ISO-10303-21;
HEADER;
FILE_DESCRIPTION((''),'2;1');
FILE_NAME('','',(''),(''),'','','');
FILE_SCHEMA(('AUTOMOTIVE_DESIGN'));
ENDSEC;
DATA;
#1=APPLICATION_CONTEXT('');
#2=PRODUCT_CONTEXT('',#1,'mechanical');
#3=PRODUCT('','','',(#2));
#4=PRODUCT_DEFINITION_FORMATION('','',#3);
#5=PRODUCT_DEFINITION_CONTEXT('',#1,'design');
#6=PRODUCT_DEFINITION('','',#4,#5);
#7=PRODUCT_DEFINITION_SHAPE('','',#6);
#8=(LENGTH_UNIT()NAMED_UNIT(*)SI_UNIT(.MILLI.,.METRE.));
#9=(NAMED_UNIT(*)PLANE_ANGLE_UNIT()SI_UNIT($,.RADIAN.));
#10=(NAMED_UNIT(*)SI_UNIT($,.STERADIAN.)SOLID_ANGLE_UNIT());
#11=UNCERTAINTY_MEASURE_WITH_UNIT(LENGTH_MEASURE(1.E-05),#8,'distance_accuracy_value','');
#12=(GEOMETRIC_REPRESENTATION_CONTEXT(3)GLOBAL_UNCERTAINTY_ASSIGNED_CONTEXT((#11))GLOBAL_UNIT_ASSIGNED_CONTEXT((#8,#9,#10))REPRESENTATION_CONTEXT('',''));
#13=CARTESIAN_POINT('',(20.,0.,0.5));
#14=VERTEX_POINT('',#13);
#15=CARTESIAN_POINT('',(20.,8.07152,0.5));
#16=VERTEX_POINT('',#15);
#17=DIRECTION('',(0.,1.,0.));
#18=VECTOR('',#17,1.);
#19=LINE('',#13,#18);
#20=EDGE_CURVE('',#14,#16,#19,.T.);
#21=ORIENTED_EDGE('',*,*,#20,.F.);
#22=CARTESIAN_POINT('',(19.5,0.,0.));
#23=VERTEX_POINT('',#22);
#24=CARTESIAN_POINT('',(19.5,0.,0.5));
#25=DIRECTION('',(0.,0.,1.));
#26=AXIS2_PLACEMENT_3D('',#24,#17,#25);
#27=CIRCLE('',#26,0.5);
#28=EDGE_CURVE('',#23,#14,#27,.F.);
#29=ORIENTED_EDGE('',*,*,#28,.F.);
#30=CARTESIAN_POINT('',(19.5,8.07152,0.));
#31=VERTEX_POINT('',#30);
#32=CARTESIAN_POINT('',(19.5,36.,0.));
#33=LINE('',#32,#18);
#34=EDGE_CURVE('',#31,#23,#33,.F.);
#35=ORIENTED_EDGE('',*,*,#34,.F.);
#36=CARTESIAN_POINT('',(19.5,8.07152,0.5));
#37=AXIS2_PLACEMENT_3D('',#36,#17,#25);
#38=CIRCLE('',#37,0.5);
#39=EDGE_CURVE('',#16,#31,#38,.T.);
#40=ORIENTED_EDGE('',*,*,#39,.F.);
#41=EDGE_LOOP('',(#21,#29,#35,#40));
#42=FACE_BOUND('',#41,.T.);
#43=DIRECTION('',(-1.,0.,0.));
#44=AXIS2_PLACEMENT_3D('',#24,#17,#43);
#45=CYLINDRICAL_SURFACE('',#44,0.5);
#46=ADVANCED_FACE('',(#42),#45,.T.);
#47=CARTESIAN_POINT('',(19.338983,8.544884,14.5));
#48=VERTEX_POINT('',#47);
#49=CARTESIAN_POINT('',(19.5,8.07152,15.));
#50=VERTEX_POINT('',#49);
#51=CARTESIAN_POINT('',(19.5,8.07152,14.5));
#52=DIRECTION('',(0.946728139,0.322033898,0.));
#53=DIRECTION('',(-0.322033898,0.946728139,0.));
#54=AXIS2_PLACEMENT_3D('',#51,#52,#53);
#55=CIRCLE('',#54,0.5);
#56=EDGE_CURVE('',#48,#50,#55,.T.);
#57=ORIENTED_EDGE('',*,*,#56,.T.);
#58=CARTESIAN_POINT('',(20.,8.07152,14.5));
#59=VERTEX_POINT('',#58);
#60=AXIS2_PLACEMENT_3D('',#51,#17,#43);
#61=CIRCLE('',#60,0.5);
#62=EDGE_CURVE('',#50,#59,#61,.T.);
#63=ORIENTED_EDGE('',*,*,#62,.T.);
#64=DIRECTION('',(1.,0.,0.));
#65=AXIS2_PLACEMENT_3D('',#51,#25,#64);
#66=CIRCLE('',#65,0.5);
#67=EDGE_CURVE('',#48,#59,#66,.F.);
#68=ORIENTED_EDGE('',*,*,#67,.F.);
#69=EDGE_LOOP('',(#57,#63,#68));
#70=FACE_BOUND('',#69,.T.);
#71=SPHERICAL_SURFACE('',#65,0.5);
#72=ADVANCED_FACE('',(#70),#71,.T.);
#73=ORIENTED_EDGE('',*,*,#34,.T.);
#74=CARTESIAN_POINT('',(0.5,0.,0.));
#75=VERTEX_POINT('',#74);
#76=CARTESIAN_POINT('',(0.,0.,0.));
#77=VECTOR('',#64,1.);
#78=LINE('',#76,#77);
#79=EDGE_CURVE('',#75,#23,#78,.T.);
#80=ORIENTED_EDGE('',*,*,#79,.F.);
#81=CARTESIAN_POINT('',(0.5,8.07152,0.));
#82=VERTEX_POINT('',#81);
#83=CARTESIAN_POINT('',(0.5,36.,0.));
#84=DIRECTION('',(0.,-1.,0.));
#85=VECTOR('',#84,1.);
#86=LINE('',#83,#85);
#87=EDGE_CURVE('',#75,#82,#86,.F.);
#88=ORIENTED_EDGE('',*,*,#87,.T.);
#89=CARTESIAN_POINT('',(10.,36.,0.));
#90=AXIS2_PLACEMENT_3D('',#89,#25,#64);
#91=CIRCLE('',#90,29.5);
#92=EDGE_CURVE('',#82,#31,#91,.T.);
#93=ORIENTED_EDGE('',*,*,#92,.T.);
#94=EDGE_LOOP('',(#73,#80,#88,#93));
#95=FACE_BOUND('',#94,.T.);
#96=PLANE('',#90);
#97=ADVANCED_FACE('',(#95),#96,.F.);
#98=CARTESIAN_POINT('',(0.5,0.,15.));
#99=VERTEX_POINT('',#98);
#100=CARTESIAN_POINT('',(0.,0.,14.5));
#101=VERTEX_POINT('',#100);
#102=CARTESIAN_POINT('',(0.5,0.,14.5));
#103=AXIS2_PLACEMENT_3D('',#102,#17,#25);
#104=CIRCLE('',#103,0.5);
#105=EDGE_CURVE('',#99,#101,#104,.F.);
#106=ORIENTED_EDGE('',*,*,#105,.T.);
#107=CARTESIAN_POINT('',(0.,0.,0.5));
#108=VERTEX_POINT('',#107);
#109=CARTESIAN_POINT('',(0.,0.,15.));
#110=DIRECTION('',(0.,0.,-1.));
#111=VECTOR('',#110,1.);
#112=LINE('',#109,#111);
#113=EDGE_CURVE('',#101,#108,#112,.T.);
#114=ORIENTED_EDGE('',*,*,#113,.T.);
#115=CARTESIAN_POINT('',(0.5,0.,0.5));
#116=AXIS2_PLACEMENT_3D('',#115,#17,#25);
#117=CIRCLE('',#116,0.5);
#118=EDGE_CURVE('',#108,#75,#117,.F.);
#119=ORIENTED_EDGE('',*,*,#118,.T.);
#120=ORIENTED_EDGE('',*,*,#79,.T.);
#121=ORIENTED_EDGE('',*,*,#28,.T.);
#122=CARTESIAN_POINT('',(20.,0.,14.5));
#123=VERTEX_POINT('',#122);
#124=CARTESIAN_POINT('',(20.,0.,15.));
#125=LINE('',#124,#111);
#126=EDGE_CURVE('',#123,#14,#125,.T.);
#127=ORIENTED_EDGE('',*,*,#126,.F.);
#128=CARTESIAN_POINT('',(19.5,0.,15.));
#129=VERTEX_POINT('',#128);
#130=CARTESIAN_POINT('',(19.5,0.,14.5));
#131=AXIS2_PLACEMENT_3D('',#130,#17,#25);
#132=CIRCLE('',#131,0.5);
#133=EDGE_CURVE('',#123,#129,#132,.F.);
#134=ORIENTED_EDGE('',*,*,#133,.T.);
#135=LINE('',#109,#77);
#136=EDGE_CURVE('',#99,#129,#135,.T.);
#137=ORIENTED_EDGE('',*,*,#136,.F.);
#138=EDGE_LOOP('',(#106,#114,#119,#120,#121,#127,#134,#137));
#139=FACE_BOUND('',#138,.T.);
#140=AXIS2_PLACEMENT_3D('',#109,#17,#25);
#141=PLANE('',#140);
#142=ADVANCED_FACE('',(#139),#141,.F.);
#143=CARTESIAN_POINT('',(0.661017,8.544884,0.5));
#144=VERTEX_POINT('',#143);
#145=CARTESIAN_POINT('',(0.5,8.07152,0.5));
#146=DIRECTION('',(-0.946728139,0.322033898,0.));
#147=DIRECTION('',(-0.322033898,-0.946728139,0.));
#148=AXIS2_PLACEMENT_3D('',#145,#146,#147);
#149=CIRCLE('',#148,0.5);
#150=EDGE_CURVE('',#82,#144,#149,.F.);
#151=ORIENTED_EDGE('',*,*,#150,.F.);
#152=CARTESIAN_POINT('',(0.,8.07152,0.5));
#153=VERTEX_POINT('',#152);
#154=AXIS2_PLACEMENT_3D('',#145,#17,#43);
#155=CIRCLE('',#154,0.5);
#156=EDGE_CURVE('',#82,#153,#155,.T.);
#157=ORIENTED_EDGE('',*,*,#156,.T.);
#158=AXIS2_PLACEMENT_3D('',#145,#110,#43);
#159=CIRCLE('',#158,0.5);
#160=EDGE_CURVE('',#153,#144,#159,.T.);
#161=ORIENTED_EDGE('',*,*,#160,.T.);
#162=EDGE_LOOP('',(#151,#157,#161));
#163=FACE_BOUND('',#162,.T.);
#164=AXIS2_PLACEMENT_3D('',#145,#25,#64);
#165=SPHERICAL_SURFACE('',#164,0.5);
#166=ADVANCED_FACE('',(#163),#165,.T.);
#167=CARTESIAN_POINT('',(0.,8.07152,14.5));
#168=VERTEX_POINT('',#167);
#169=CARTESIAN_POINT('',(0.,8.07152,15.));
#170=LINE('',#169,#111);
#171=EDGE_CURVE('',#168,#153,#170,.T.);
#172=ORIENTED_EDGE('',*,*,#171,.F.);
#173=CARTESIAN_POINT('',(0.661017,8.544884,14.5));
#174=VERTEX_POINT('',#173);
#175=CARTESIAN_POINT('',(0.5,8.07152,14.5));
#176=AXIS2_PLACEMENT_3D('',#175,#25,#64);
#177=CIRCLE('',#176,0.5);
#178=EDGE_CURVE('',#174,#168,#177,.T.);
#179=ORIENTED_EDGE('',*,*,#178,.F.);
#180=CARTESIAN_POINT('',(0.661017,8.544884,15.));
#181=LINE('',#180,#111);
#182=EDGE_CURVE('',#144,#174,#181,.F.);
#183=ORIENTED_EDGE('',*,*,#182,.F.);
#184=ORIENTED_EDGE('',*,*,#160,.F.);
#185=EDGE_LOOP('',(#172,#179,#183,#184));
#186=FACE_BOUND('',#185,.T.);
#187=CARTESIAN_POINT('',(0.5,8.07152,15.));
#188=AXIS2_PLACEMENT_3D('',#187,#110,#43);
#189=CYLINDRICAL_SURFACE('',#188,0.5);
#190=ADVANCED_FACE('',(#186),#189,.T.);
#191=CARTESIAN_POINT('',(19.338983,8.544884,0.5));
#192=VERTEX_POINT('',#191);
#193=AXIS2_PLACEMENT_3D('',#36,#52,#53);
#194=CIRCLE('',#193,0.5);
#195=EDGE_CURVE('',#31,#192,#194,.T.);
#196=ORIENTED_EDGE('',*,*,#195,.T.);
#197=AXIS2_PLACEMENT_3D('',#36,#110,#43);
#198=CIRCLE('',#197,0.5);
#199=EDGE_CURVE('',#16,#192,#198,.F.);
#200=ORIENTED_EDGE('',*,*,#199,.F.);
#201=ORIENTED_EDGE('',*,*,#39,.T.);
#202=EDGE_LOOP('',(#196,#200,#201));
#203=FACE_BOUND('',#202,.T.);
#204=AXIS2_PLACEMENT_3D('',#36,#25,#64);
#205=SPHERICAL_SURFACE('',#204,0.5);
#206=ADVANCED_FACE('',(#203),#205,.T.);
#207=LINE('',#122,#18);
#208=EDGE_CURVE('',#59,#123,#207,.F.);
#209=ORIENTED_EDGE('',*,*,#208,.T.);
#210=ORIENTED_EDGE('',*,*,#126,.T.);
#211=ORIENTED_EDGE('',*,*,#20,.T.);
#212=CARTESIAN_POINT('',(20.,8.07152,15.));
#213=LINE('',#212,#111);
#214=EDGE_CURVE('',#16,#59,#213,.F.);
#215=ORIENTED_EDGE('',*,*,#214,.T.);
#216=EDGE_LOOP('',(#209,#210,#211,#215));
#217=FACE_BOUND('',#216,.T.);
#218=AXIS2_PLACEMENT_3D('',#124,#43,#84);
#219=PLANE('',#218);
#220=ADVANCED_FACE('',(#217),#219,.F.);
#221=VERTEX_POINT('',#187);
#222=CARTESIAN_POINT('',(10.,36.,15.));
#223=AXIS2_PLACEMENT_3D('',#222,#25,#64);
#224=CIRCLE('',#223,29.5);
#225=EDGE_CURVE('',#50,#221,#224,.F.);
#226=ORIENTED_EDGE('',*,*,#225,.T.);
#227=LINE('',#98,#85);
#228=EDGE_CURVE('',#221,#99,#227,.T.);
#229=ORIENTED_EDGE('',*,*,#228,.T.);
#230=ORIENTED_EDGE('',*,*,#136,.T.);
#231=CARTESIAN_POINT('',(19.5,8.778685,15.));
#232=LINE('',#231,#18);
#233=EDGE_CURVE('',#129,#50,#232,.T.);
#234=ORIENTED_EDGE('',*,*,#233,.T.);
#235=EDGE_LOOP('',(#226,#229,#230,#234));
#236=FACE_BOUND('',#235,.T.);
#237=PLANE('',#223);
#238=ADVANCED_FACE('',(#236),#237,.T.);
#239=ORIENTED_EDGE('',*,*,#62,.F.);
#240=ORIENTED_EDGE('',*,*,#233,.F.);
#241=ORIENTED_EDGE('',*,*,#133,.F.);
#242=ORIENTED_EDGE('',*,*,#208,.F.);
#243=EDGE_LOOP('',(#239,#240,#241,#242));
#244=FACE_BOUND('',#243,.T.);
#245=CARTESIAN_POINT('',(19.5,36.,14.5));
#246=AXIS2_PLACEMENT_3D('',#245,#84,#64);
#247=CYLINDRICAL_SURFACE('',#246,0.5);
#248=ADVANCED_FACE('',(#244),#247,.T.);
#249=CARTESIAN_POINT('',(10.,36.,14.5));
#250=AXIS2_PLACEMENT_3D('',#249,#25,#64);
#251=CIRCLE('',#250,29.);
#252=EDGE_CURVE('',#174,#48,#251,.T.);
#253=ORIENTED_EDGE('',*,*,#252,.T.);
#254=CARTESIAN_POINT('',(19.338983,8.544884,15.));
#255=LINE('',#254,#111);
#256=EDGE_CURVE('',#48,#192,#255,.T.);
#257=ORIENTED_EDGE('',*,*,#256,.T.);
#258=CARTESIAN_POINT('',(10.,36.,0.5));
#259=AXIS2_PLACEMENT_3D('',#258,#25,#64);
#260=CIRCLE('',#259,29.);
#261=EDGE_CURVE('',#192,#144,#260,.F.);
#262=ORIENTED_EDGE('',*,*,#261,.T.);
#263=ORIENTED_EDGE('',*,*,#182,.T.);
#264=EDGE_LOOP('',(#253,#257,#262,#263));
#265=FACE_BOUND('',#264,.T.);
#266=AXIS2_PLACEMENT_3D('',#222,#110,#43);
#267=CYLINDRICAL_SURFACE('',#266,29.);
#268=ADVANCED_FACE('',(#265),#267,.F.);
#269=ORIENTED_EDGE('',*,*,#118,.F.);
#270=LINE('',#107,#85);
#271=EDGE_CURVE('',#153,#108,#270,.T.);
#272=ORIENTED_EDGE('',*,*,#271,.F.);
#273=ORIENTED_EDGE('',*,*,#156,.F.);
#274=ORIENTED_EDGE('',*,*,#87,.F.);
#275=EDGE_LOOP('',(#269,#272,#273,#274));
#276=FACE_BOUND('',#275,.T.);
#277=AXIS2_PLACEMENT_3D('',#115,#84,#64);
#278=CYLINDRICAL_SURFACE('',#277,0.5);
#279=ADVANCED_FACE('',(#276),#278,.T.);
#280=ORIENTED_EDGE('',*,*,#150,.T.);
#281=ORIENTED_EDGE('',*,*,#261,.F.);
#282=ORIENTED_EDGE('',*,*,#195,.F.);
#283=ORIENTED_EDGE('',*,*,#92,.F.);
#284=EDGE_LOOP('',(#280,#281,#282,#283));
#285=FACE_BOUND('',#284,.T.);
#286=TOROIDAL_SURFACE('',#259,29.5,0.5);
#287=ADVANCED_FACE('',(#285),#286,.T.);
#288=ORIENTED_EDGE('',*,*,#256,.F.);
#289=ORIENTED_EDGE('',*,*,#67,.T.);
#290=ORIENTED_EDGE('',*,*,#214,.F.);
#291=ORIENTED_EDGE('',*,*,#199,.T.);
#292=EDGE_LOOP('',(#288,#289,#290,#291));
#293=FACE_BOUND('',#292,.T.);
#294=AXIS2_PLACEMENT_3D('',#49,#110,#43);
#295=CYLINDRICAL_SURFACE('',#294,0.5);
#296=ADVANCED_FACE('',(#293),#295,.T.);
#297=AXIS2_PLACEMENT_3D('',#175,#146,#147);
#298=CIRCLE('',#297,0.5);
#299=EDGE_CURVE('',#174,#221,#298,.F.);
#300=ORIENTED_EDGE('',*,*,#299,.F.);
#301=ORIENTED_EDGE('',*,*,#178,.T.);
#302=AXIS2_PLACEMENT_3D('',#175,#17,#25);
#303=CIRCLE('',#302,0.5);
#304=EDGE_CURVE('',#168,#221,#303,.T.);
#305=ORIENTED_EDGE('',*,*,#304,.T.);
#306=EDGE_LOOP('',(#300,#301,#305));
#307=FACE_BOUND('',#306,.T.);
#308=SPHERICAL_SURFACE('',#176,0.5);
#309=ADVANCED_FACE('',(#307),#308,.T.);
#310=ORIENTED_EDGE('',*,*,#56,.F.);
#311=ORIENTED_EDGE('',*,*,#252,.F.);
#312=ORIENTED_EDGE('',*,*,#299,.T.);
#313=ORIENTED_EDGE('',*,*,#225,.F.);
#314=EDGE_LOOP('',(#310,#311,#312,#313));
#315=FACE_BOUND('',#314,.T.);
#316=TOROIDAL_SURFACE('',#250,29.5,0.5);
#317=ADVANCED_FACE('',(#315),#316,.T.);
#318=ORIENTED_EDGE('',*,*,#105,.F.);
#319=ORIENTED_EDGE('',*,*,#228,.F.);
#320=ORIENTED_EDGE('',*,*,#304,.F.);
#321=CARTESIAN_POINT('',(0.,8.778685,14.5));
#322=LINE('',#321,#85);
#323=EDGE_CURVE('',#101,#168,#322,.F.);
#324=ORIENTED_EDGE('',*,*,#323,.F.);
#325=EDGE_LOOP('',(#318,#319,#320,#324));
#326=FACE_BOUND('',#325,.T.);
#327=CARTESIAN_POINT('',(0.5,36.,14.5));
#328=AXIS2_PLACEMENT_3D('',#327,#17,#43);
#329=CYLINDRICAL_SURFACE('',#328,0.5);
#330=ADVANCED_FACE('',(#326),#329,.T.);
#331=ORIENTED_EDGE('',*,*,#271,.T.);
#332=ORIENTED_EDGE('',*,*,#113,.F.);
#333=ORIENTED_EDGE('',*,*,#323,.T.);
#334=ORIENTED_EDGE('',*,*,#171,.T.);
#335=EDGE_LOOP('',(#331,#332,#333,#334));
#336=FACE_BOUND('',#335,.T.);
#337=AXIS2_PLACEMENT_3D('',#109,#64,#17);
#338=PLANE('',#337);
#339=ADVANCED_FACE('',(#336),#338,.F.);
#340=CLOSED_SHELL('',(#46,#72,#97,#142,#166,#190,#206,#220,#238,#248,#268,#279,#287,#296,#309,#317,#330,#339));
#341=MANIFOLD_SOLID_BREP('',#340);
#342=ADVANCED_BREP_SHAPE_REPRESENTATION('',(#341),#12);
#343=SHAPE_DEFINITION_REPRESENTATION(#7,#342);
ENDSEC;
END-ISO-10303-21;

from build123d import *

# Parameters (mm, degrees)
BOSS_EXTRUDE1_DEPTH = 15
FILLET1_R           = 0.5


with BuildPart() as part:
    # Sketch1 → Boss-Extrude1 (new body)
    with BuildSketch(Plane.XY):
        with BuildLine():
            Line((0, 0), (20, 0))
            Line((20, 0), (20, 8.778684822))
            ThreePointArc((20, 8.778684822), (10, 7), (0, 8.778684822))
            Line((0, 8.778684822), (0, 0))
        make_face()
    extrude(amount=BOSS_EXTRUDE1_DEPTH)

    # Fillet1
    fillet1_edges = [part.edges().sort_by_distance(p)[0] for p in [
        (20, 4.389342411, 15),
        (10, 7, 15),
        (0, 4.389342411, 15),
        (10, 7, 0),
        (20, 4.389342411, 0),
        (0, 4.389342411, 0),
        (0, 8.778684822, 7.5),
        (20, 8.778684822, 7.5),
    ]]
    fillet(fillet1_edges, radius=FILLET1_R)


solid = part.part
